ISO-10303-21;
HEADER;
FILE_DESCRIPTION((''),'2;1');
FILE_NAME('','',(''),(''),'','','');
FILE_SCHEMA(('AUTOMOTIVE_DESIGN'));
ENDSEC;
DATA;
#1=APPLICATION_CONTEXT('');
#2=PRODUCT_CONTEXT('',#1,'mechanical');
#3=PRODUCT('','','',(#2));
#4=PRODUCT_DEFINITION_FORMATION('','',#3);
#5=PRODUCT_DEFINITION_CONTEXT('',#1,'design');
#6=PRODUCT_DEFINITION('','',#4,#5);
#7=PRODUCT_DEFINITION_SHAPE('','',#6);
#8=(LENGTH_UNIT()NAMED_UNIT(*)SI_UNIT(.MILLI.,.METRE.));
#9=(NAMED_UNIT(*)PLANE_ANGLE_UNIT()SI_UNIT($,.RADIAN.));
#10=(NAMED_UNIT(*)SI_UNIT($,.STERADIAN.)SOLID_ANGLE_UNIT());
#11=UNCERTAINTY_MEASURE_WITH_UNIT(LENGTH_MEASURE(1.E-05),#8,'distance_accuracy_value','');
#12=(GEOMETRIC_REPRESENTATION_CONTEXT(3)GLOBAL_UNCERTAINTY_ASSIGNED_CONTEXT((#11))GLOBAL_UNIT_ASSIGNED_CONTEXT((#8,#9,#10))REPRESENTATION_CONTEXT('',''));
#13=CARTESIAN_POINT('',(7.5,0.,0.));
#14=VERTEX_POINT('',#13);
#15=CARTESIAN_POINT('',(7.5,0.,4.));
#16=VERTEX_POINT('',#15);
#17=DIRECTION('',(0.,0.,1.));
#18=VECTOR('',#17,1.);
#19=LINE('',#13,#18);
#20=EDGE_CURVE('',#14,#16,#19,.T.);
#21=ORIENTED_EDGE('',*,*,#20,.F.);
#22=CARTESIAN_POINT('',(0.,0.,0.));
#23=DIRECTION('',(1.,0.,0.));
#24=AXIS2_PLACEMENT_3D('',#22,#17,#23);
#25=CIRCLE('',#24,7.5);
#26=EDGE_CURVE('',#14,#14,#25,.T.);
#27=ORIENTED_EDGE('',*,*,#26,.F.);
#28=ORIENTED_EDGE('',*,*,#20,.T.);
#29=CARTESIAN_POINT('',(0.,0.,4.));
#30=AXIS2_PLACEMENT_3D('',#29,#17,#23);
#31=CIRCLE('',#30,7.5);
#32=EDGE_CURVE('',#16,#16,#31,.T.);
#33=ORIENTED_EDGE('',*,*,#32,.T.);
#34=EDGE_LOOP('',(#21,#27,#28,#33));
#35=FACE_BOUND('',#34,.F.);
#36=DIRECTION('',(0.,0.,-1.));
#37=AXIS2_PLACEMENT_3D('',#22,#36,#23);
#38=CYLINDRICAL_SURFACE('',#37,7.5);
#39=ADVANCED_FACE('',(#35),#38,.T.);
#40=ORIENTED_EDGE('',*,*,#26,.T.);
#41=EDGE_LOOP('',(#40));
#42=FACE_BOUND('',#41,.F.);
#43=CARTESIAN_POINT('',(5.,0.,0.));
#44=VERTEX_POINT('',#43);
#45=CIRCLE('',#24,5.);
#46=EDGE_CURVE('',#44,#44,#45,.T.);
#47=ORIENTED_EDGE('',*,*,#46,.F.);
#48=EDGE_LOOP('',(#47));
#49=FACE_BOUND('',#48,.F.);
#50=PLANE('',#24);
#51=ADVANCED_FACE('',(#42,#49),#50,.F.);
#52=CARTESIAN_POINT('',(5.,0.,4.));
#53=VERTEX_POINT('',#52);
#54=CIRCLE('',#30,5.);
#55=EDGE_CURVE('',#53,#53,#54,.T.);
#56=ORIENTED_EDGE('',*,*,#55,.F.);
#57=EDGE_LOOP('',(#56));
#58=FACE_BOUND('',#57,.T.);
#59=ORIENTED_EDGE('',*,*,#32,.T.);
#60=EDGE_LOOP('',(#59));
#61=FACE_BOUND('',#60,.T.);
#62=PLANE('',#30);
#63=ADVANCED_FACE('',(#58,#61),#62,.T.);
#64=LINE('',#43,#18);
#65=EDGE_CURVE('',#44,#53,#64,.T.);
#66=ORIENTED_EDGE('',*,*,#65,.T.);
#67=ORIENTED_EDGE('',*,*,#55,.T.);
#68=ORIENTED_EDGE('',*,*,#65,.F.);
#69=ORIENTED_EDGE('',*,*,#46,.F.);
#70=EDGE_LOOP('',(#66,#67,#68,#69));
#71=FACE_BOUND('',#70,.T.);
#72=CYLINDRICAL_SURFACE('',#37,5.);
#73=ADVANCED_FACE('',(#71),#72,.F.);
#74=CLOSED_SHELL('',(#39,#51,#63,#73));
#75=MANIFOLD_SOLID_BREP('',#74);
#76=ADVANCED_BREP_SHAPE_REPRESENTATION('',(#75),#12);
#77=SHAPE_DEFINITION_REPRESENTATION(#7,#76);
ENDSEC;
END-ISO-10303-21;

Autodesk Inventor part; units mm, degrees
ref_plane "YZ Plane" through (0, 0, 0) normal (1, 0, 0) x (0, 1, 0)
ref_plane "XZ Plane" through (0, 0, 0) normal (0, 1, 0) x (-1, 0, 0)
ref_plane "XY Plane" through (0, 0, 0) normal (0, 0, 1) x (1, 0, 0)
sketch "Эскиз1" plane through (0, 0, 0) normal (0, 0, 1) x (1, 0, 0)
  circle A0 centre (0, 0) radius 5
  circle A1 centre (0, 0) radius 7.5
  dimension "d0" = 10
  dimension "d1" = 15
extrude "Выдавливание1" add sketch "Эскиз1" along normal blind 4
properties part number "Подшипник 10 15 4"
